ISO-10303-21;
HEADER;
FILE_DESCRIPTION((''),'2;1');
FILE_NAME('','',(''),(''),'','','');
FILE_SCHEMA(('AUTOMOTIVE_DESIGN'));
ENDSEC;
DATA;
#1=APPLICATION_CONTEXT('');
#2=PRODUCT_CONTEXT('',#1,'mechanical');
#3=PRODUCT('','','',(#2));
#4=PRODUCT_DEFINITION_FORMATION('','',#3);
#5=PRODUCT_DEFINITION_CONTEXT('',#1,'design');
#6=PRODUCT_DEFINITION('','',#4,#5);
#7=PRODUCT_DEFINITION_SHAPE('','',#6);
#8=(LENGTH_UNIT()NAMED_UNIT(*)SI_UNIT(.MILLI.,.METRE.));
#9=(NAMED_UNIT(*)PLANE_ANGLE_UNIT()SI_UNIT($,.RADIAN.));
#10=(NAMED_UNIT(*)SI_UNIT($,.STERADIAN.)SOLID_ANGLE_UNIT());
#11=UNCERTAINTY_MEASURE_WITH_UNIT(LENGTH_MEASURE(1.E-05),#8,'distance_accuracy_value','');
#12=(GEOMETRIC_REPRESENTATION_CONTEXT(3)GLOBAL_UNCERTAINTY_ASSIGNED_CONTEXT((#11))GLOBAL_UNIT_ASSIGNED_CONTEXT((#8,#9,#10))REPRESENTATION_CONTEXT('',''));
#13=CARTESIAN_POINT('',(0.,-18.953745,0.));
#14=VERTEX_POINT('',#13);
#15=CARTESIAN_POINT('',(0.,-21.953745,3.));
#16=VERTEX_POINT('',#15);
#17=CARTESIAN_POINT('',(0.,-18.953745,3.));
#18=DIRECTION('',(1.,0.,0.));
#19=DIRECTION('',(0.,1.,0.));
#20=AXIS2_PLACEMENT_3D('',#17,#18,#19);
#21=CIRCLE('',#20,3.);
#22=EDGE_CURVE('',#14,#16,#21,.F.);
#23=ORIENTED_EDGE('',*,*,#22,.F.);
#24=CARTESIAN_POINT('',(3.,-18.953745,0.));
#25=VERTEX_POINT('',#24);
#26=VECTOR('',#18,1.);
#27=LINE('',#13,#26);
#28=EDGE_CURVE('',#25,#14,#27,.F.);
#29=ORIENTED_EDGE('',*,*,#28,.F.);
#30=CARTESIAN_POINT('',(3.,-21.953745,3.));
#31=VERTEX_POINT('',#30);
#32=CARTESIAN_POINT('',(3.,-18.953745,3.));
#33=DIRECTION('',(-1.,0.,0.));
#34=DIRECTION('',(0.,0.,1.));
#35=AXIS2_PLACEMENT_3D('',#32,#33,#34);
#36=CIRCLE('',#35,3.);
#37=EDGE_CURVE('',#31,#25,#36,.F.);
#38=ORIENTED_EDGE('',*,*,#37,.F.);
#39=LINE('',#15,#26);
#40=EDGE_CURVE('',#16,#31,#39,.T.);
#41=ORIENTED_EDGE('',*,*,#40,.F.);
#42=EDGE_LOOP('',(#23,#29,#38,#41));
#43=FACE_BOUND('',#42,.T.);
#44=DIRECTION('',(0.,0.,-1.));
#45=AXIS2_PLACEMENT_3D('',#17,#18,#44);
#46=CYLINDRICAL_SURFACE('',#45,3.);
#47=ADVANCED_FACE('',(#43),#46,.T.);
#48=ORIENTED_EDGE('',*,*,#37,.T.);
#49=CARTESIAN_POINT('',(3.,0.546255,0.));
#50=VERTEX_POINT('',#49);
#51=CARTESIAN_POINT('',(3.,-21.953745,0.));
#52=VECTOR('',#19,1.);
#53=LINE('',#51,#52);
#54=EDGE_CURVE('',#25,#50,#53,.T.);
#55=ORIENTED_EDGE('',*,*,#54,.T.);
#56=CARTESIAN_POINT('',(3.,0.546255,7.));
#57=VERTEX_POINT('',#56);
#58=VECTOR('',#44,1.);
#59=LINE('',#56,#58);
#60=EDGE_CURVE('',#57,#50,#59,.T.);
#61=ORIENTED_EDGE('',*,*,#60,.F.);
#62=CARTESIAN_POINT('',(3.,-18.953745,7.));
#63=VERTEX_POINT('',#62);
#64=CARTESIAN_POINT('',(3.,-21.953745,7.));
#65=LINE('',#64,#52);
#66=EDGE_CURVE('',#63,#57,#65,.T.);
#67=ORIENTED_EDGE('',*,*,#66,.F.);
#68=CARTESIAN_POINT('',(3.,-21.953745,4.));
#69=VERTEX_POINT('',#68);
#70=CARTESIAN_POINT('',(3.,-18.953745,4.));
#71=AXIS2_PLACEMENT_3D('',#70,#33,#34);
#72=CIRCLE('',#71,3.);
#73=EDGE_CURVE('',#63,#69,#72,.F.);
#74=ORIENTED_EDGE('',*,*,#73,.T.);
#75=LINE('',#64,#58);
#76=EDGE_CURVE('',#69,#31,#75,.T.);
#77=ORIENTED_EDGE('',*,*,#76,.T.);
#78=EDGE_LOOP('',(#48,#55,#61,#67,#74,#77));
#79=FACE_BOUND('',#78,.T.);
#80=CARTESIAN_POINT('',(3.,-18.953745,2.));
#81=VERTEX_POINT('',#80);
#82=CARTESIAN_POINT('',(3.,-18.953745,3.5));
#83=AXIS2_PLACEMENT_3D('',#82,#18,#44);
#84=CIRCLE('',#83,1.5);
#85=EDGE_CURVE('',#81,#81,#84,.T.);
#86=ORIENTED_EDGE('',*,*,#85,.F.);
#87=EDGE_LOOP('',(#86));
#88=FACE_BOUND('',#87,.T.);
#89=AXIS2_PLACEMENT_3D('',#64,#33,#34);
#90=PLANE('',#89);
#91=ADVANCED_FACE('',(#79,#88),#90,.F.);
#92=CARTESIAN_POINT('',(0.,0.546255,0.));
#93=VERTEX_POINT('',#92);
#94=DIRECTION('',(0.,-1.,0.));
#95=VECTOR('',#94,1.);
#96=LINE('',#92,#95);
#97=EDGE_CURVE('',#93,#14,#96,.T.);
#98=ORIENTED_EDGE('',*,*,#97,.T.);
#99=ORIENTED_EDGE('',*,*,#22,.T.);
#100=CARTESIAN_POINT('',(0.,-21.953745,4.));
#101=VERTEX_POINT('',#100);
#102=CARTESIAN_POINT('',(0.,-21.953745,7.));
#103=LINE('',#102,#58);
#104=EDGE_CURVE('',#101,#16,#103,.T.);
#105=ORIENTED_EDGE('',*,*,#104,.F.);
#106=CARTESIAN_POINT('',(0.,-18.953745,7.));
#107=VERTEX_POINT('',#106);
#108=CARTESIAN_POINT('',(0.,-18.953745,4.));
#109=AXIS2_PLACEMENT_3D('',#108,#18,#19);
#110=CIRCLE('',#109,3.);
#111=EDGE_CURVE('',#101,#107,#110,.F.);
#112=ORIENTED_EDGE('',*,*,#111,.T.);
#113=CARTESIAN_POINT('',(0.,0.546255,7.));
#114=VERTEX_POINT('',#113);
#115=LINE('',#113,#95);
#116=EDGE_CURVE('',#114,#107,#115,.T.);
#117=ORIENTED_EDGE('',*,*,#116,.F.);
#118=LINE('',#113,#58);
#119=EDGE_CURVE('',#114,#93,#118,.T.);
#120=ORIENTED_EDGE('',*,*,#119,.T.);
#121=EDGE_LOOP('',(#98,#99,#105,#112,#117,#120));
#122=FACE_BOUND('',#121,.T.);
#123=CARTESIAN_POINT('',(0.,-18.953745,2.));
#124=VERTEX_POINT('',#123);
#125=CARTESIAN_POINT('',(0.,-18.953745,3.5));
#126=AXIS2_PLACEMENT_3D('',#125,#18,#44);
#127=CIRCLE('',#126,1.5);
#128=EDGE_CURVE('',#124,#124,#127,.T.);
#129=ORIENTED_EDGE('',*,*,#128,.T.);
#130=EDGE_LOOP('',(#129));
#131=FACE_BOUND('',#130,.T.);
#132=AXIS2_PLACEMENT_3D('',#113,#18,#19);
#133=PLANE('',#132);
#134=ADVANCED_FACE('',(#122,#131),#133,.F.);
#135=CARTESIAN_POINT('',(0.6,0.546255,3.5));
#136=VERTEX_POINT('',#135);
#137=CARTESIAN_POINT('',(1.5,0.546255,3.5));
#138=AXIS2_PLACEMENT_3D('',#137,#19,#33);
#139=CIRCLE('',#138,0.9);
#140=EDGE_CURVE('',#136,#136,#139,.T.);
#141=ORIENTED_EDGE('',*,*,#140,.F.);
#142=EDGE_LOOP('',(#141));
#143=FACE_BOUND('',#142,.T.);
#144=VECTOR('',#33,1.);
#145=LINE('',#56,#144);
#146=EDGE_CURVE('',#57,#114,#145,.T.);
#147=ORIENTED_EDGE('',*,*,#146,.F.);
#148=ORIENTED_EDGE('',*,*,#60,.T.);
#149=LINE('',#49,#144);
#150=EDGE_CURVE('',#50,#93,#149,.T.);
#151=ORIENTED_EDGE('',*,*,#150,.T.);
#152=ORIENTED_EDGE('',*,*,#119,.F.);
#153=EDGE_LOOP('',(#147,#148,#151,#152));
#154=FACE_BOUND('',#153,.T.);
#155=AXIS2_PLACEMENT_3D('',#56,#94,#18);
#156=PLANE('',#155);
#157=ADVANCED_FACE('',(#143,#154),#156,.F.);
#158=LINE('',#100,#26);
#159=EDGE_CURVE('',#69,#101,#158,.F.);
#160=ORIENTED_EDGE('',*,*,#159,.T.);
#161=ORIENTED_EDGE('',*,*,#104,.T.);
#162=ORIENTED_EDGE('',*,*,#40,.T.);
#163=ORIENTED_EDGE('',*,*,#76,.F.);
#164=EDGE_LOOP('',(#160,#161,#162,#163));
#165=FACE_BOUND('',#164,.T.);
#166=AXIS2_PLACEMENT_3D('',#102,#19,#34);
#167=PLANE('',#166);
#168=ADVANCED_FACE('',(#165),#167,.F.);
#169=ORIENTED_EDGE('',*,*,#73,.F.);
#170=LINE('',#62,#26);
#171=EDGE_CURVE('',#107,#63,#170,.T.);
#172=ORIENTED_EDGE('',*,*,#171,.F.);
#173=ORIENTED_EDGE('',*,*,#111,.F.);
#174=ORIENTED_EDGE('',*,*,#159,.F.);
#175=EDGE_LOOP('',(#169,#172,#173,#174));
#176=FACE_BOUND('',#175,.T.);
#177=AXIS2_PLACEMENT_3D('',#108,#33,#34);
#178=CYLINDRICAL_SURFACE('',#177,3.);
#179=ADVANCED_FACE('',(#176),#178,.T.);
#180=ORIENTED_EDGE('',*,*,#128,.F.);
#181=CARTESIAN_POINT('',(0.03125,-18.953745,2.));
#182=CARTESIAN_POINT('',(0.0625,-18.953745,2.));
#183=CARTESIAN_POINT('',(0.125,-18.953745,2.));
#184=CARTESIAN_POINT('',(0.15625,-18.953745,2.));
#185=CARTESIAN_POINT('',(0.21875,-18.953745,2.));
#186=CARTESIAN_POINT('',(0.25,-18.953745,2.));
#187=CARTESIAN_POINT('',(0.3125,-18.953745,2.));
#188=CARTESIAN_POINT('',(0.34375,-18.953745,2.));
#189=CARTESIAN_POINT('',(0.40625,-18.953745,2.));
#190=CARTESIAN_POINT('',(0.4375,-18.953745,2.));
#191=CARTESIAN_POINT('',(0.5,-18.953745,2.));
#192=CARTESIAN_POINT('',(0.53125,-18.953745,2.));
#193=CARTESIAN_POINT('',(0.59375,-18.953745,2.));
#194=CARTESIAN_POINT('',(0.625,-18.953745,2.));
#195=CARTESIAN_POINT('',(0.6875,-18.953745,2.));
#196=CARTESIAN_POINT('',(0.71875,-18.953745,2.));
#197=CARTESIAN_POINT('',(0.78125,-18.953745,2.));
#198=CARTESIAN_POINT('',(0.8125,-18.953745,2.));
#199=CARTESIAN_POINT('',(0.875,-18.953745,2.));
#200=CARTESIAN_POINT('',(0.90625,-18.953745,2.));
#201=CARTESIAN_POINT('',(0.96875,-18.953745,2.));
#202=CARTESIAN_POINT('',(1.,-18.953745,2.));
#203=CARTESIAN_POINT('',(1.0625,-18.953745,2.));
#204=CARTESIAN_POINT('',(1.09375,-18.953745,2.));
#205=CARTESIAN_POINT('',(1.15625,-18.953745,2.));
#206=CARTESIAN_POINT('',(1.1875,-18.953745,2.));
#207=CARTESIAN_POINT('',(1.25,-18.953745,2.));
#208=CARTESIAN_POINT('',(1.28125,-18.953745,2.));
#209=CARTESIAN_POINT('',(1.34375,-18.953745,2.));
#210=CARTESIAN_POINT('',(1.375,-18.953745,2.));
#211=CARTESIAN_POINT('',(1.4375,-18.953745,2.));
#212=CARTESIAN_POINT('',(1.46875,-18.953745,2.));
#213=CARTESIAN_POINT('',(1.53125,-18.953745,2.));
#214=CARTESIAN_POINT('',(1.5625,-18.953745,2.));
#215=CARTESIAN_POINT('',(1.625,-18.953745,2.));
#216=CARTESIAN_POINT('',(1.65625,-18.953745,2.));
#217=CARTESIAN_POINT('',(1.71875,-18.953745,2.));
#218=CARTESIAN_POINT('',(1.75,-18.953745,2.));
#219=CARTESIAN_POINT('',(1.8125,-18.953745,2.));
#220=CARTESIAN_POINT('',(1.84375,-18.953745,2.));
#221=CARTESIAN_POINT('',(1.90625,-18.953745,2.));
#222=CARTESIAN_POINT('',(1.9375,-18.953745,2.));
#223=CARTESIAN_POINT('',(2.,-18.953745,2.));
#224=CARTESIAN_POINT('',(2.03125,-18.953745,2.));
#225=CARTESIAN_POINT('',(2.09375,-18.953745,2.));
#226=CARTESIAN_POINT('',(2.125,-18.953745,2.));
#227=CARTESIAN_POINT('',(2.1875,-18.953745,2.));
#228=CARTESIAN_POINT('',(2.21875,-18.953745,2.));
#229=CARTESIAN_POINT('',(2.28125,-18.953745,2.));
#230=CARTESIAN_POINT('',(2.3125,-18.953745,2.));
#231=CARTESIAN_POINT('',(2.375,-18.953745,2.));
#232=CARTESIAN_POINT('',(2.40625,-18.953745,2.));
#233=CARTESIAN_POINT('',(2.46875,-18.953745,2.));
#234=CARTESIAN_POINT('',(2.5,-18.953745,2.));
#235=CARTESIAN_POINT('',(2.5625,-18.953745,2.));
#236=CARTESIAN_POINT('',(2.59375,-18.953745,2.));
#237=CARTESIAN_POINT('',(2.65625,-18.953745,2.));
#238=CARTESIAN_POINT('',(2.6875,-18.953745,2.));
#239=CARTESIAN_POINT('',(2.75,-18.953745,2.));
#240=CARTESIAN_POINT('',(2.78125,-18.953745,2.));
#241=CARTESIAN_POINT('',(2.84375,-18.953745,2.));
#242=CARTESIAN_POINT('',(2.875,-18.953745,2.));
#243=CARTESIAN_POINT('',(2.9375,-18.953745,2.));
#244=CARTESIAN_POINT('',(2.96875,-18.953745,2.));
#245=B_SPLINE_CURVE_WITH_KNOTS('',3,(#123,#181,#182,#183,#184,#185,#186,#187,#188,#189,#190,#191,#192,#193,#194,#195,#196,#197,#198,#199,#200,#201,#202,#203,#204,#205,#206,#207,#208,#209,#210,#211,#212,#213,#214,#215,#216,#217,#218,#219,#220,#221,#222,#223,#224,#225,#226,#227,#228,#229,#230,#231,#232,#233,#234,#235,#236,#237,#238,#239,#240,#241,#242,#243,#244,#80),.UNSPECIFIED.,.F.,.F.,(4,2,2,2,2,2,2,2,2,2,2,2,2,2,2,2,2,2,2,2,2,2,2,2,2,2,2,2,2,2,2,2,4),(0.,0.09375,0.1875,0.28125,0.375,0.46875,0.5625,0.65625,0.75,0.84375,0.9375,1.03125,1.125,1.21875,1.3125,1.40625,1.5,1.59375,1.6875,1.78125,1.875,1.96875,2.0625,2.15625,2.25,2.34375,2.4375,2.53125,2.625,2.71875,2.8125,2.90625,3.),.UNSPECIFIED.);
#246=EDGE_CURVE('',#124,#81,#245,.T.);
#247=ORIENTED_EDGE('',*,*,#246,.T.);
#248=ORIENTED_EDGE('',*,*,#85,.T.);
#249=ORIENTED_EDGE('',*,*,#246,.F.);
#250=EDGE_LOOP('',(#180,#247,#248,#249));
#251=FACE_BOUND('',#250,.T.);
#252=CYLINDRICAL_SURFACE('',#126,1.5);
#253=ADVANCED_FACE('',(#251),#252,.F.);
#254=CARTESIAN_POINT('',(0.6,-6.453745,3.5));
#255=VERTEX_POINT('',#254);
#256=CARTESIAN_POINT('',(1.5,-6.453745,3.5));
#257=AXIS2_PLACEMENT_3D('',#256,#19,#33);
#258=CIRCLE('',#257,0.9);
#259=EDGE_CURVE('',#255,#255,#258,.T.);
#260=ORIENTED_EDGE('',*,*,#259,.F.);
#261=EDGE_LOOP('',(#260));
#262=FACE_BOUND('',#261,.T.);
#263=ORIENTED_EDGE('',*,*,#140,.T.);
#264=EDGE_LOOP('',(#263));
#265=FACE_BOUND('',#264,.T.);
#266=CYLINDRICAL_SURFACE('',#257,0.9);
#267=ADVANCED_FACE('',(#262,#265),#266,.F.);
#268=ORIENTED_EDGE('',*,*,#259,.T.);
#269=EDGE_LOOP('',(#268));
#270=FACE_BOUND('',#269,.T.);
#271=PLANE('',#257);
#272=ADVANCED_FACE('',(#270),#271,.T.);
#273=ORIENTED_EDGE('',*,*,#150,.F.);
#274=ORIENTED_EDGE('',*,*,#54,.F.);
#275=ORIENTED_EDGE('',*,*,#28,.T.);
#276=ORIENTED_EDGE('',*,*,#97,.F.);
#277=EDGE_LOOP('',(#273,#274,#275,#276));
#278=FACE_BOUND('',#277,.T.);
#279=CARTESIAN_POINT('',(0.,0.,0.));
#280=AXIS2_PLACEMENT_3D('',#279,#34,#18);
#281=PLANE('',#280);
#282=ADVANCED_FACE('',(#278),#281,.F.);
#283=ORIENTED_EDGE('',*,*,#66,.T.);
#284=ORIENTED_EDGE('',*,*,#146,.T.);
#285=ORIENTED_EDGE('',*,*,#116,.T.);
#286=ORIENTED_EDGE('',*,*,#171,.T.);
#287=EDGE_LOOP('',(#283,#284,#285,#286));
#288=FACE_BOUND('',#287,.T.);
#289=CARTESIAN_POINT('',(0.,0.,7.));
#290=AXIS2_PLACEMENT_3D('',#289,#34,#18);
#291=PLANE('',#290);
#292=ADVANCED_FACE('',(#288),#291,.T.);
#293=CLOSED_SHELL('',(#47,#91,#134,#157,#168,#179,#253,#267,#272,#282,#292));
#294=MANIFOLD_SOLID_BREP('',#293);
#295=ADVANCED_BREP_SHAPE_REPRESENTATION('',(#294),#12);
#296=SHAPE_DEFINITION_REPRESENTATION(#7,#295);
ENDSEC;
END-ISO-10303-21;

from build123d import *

# Parameters (mm, degrees)
SKETCH_1_W          = 3
SKETCH_1_H          = 22.5
EXTRUDE_1_DEPTH     = 7
SKETCH_4_R          = 1.5
CUT_EXTRUDE_2_DEPTH = 24.237188714
FILLET_1_R          = 3
SKETCH_3_R          = 0.9
CUT_EXTRUDE_4_DEPTH = 7


with BuildPart() as part:
    # 草图1 → 凸台-拉伸1 (new body)
    with BuildSketch(Plane.XY):
        with Locations((1.5, -10.703745451)):
            Rectangle(SKETCH_1_W, SKETCH_1_H)
    extrude(amount=EXTRUDE_1_DEPTH)

    # 草图4 → 切除-拉伸2 (cut, through all)
    with BuildSketch(Plane(origin=(3, 0, 0), x_dir=(0, 0, -1), z_dir=(1, 0, 0))):
        with Locations((-3.5, -18.953745451)):
            Circle(SKETCH_4_R)
    extrude(amount=-CUT_EXTRUDE_2_DEPTH, mode=Mode.SUBTRACT)

    # 圆角1
    fillet_1_edges = [part.edges().sort_by_distance(p)[0] for p in [
        (1.5, -21.953745451, 7),
        (1.5, -21.953745451, 0),
    ]]
    fillet(fillet_1_edges, radius=FILLET_1_R)

    # 草图3 → 切除-拉伸4 (cut)
    with BuildSketch(Plane(origin=(0, 0.546254549, 0), x_dir=(1, 0, 0), z_dir=(0, 1, 0))):
        with Locations(Location((1.5, -3.5, 0), (0, 0, 180))):
            Circle(SKETCH_3_R)
    extrude(amount=-CUT_EXTRUDE_4_DEPTH, mode=Mode.SUBTRACT)


solid = part.part
